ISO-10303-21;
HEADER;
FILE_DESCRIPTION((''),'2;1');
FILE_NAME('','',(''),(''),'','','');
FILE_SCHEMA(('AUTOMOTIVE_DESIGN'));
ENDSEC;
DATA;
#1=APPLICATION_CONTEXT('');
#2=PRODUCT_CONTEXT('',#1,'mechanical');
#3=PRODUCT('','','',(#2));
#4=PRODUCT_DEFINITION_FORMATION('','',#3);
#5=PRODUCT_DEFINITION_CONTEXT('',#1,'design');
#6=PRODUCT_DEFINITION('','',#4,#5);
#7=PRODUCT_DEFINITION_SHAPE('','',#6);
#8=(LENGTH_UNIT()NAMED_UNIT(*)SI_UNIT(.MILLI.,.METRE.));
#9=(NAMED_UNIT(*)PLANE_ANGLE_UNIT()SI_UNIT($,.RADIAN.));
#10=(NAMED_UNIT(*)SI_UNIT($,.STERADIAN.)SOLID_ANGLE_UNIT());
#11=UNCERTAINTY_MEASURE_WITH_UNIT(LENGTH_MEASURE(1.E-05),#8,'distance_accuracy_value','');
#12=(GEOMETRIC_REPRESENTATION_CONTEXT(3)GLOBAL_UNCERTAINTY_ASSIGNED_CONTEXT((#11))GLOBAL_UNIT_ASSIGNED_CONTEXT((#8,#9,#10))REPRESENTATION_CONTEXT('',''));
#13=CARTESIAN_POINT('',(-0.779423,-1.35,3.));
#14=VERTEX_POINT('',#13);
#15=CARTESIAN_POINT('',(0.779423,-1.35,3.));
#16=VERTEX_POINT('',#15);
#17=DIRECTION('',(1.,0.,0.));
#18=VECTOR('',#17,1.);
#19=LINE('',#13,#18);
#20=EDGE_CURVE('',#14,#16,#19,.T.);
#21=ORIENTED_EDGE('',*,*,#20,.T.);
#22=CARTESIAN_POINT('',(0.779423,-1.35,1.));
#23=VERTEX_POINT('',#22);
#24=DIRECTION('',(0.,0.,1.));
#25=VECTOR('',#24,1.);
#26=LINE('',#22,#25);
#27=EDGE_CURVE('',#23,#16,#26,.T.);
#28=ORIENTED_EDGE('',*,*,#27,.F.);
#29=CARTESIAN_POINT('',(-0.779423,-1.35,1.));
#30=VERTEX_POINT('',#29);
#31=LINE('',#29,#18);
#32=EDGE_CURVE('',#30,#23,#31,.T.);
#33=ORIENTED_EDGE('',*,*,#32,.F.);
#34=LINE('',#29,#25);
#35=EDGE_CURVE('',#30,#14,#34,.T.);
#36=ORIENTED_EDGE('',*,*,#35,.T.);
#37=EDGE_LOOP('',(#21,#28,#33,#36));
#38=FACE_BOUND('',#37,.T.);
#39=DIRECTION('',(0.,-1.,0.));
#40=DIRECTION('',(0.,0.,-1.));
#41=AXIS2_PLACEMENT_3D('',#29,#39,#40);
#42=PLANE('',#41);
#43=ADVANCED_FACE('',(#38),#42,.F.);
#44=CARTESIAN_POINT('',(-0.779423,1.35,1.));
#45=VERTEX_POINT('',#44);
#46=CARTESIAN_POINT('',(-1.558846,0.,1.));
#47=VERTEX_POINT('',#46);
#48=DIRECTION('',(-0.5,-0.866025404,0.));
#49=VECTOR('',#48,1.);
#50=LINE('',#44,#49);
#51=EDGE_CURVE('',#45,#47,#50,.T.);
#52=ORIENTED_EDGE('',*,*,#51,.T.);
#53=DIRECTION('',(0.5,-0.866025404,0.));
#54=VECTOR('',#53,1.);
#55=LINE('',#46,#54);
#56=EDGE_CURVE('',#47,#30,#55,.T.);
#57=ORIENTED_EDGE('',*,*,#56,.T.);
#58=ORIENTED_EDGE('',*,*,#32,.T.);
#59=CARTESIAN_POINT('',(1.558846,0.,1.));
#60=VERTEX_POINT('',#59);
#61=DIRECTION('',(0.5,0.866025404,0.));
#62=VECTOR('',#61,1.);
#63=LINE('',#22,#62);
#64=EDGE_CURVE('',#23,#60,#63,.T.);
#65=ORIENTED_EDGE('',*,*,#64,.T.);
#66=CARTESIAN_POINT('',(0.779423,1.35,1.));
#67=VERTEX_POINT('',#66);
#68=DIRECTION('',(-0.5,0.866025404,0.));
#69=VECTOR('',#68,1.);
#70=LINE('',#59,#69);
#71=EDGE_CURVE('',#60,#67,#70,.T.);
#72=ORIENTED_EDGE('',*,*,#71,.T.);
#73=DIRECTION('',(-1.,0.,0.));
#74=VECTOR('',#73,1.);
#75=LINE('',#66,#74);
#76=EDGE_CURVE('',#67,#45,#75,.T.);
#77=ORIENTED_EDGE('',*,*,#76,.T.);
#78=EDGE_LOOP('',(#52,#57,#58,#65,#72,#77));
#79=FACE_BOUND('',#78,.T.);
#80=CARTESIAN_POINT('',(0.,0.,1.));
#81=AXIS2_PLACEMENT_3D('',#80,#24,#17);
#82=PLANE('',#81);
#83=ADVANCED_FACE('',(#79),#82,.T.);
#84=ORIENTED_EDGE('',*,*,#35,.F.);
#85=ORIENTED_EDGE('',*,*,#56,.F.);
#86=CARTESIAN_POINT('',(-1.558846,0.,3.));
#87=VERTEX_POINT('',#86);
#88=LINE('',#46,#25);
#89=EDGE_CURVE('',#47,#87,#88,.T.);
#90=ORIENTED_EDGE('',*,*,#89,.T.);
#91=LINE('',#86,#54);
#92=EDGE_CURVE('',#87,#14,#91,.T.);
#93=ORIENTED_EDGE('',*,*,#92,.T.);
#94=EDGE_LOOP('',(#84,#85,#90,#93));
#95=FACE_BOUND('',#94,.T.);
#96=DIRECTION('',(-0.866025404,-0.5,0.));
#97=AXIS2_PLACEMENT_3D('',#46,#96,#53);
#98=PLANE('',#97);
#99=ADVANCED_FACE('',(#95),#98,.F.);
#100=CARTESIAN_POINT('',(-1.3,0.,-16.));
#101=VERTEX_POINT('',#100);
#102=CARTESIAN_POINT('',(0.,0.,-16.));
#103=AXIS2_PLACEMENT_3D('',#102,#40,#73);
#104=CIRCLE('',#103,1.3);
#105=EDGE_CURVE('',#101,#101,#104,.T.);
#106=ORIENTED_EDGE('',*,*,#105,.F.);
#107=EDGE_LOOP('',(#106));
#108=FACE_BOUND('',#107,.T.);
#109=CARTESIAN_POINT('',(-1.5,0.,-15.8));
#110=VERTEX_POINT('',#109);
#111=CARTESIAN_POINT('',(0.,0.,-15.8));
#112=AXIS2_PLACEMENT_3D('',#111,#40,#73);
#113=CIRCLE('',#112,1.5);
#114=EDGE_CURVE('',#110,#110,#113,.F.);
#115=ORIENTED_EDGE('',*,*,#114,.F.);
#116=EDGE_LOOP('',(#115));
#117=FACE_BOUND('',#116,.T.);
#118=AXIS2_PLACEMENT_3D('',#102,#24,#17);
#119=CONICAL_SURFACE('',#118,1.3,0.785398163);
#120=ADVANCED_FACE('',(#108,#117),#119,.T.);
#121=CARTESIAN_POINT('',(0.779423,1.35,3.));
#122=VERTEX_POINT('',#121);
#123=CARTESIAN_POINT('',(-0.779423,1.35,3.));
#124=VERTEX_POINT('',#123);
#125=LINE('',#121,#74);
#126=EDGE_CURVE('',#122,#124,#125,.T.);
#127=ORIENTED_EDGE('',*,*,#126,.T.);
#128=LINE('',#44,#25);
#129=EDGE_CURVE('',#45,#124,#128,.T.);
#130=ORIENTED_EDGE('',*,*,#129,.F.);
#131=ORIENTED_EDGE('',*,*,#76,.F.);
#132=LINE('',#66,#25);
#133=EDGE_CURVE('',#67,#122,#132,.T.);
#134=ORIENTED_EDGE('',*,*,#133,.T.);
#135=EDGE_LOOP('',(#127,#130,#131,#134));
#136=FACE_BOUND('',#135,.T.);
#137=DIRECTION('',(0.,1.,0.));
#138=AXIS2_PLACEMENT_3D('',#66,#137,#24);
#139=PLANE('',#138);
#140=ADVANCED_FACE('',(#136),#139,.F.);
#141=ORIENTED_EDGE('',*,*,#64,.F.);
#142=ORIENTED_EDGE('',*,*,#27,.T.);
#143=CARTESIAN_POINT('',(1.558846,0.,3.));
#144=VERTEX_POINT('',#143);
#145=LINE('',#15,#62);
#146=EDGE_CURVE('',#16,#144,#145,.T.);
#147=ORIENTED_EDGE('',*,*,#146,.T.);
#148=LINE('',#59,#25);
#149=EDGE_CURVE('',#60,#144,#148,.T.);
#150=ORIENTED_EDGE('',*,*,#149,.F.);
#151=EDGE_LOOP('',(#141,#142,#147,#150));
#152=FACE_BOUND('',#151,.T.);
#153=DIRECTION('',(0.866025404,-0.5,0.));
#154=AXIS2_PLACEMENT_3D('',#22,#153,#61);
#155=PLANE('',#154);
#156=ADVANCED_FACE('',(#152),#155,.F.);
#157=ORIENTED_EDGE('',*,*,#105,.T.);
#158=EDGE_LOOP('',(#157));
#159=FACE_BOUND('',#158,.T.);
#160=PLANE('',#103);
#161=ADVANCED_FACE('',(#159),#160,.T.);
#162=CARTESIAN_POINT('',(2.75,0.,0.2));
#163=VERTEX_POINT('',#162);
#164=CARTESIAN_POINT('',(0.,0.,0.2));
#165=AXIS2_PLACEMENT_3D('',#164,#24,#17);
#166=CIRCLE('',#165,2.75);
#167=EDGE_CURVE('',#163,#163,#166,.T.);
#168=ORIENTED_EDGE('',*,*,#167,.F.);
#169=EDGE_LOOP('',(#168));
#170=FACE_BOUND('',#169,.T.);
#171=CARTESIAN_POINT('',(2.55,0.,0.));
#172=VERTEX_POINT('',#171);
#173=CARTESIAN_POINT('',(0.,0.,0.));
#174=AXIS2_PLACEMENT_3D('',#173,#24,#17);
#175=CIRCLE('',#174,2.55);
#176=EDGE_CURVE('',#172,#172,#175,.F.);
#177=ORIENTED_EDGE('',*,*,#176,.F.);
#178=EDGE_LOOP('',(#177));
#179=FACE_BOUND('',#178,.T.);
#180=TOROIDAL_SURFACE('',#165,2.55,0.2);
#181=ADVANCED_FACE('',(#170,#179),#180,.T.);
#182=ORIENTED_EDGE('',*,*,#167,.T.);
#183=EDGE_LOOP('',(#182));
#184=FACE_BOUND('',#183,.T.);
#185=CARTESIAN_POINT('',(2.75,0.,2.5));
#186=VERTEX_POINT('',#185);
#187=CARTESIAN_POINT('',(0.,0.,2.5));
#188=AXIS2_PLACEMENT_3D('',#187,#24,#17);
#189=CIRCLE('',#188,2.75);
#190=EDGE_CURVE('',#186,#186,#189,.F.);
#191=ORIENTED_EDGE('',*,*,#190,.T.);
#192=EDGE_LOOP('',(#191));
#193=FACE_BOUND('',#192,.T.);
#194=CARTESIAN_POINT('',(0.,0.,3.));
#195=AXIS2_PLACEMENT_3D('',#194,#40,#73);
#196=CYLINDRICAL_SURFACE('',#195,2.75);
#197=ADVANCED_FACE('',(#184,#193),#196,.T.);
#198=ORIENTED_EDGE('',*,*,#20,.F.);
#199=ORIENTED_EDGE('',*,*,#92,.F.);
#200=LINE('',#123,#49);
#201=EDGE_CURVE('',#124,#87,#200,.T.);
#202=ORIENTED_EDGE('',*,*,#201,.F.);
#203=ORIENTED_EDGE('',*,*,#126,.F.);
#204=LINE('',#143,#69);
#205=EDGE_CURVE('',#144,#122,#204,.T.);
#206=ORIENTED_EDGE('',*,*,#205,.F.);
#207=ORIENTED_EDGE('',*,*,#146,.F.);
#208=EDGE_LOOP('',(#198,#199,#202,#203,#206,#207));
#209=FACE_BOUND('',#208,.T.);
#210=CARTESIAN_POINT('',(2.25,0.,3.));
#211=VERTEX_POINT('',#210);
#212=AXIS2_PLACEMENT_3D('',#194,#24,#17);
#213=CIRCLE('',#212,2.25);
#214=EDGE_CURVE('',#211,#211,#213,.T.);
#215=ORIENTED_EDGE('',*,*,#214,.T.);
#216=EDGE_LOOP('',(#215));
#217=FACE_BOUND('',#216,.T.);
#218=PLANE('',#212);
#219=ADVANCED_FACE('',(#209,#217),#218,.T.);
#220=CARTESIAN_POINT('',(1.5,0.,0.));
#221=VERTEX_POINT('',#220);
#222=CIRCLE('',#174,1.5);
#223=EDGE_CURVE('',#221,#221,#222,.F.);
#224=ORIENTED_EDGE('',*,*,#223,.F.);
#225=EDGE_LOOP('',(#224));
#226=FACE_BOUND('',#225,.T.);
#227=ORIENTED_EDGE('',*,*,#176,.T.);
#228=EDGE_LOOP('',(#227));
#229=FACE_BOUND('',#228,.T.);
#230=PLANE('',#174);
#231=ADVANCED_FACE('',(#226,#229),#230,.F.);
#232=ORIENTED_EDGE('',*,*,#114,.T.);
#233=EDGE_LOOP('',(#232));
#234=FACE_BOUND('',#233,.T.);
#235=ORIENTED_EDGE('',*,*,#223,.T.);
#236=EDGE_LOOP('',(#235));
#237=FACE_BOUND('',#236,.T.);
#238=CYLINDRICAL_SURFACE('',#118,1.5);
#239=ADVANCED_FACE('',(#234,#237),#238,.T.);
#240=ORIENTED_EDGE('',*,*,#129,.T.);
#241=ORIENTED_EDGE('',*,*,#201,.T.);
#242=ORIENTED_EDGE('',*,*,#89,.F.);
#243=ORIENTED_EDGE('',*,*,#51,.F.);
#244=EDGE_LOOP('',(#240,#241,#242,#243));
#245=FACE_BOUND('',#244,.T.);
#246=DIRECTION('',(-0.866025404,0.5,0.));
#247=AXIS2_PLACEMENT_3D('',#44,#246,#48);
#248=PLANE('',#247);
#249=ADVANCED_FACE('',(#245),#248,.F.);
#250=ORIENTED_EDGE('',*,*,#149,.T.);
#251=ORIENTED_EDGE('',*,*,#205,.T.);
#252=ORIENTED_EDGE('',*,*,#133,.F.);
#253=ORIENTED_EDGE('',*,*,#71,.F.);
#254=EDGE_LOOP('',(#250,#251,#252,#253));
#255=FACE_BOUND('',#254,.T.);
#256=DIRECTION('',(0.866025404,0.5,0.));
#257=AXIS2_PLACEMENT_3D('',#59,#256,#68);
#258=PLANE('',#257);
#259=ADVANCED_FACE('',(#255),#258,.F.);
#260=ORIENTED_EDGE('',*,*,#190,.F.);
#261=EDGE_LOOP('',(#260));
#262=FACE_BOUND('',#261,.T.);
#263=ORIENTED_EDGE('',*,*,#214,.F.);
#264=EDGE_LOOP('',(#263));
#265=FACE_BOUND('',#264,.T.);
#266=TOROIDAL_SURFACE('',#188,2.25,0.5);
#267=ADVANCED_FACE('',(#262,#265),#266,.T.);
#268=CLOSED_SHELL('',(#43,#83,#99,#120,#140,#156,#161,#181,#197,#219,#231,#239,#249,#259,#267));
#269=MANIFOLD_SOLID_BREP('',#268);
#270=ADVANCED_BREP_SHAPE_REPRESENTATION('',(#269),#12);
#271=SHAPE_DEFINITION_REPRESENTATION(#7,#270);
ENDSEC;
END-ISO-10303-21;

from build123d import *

# Parameters (mm, degrees)
SKETCH_1_R          = 2.75
EXTRUDE_1_DEPTH     = 3
FILLET_1_R          = 0.5
CUT_EXTRUDE_1_DEPTH = 2
SKETCH_3_R          = 1.5
EXTRUDE_2_DEPTH     = 16
CHAMFER_1_SIZE      = 0.2
FILLET_2_R          = 0.2


with BuildPart() as part:
    # 草图1 → 凸台-拉伸1 (new body)
    with BuildSketch(Plane.XY):
        Circle(SKETCH_1_R)
    extrude(amount=EXTRUDE_1_DEPTH)

    # 圆角1
    fillet_1_edges = [part.edges().sort_by_distance(p)[0] for p in [
        (-2.75, 0, 3),
    ]]
    fillet(fillet_1_edges, radius=FILLET_1_R)

    # 草图2 → 切除-拉伸1 (cut)
    with BuildSketch(Plane.XY.offset(3)):
        Polygon((1.558845727, 0), (0.779422863, 1.35), (-0.779422863, 1.35), (-1.558845727, 0), (-0.779422863, -1.35), (0.779422863, -1.35), align=None)
    extrude(amount=-CUT_EXTRUDE_1_DEPTH, mode=Mode.SUBTRACT)

    # 草图3 → 凸台-拉伸2 (add)
    with BuildSketch(Plane(origin=(0, 0, 0), x_dir=(-1, 0, 0), z_dir=(0, 0, -1))):
        Circle(SKETCH_3_R)
    extrude(amount=EXTRUDE_2_DEPTH)

    # 倒角1
    chamfer_1_edges = [part.edges().sort_by_distance(p)[0] for p in [
        (1.5, 0, -16),
    ]]
    chamfer(chamfer_1_edges, length=CHAMFER_1_SIZE)

    # 圆角2
    fillet_2_edges = [part.edges().sort_by_distance(p)[0] for p in [
        (-2.75, 0, 0),
    ]]
    fillet(fillet_2_edges, radius=FILLET_2_R)


solid = part.part
